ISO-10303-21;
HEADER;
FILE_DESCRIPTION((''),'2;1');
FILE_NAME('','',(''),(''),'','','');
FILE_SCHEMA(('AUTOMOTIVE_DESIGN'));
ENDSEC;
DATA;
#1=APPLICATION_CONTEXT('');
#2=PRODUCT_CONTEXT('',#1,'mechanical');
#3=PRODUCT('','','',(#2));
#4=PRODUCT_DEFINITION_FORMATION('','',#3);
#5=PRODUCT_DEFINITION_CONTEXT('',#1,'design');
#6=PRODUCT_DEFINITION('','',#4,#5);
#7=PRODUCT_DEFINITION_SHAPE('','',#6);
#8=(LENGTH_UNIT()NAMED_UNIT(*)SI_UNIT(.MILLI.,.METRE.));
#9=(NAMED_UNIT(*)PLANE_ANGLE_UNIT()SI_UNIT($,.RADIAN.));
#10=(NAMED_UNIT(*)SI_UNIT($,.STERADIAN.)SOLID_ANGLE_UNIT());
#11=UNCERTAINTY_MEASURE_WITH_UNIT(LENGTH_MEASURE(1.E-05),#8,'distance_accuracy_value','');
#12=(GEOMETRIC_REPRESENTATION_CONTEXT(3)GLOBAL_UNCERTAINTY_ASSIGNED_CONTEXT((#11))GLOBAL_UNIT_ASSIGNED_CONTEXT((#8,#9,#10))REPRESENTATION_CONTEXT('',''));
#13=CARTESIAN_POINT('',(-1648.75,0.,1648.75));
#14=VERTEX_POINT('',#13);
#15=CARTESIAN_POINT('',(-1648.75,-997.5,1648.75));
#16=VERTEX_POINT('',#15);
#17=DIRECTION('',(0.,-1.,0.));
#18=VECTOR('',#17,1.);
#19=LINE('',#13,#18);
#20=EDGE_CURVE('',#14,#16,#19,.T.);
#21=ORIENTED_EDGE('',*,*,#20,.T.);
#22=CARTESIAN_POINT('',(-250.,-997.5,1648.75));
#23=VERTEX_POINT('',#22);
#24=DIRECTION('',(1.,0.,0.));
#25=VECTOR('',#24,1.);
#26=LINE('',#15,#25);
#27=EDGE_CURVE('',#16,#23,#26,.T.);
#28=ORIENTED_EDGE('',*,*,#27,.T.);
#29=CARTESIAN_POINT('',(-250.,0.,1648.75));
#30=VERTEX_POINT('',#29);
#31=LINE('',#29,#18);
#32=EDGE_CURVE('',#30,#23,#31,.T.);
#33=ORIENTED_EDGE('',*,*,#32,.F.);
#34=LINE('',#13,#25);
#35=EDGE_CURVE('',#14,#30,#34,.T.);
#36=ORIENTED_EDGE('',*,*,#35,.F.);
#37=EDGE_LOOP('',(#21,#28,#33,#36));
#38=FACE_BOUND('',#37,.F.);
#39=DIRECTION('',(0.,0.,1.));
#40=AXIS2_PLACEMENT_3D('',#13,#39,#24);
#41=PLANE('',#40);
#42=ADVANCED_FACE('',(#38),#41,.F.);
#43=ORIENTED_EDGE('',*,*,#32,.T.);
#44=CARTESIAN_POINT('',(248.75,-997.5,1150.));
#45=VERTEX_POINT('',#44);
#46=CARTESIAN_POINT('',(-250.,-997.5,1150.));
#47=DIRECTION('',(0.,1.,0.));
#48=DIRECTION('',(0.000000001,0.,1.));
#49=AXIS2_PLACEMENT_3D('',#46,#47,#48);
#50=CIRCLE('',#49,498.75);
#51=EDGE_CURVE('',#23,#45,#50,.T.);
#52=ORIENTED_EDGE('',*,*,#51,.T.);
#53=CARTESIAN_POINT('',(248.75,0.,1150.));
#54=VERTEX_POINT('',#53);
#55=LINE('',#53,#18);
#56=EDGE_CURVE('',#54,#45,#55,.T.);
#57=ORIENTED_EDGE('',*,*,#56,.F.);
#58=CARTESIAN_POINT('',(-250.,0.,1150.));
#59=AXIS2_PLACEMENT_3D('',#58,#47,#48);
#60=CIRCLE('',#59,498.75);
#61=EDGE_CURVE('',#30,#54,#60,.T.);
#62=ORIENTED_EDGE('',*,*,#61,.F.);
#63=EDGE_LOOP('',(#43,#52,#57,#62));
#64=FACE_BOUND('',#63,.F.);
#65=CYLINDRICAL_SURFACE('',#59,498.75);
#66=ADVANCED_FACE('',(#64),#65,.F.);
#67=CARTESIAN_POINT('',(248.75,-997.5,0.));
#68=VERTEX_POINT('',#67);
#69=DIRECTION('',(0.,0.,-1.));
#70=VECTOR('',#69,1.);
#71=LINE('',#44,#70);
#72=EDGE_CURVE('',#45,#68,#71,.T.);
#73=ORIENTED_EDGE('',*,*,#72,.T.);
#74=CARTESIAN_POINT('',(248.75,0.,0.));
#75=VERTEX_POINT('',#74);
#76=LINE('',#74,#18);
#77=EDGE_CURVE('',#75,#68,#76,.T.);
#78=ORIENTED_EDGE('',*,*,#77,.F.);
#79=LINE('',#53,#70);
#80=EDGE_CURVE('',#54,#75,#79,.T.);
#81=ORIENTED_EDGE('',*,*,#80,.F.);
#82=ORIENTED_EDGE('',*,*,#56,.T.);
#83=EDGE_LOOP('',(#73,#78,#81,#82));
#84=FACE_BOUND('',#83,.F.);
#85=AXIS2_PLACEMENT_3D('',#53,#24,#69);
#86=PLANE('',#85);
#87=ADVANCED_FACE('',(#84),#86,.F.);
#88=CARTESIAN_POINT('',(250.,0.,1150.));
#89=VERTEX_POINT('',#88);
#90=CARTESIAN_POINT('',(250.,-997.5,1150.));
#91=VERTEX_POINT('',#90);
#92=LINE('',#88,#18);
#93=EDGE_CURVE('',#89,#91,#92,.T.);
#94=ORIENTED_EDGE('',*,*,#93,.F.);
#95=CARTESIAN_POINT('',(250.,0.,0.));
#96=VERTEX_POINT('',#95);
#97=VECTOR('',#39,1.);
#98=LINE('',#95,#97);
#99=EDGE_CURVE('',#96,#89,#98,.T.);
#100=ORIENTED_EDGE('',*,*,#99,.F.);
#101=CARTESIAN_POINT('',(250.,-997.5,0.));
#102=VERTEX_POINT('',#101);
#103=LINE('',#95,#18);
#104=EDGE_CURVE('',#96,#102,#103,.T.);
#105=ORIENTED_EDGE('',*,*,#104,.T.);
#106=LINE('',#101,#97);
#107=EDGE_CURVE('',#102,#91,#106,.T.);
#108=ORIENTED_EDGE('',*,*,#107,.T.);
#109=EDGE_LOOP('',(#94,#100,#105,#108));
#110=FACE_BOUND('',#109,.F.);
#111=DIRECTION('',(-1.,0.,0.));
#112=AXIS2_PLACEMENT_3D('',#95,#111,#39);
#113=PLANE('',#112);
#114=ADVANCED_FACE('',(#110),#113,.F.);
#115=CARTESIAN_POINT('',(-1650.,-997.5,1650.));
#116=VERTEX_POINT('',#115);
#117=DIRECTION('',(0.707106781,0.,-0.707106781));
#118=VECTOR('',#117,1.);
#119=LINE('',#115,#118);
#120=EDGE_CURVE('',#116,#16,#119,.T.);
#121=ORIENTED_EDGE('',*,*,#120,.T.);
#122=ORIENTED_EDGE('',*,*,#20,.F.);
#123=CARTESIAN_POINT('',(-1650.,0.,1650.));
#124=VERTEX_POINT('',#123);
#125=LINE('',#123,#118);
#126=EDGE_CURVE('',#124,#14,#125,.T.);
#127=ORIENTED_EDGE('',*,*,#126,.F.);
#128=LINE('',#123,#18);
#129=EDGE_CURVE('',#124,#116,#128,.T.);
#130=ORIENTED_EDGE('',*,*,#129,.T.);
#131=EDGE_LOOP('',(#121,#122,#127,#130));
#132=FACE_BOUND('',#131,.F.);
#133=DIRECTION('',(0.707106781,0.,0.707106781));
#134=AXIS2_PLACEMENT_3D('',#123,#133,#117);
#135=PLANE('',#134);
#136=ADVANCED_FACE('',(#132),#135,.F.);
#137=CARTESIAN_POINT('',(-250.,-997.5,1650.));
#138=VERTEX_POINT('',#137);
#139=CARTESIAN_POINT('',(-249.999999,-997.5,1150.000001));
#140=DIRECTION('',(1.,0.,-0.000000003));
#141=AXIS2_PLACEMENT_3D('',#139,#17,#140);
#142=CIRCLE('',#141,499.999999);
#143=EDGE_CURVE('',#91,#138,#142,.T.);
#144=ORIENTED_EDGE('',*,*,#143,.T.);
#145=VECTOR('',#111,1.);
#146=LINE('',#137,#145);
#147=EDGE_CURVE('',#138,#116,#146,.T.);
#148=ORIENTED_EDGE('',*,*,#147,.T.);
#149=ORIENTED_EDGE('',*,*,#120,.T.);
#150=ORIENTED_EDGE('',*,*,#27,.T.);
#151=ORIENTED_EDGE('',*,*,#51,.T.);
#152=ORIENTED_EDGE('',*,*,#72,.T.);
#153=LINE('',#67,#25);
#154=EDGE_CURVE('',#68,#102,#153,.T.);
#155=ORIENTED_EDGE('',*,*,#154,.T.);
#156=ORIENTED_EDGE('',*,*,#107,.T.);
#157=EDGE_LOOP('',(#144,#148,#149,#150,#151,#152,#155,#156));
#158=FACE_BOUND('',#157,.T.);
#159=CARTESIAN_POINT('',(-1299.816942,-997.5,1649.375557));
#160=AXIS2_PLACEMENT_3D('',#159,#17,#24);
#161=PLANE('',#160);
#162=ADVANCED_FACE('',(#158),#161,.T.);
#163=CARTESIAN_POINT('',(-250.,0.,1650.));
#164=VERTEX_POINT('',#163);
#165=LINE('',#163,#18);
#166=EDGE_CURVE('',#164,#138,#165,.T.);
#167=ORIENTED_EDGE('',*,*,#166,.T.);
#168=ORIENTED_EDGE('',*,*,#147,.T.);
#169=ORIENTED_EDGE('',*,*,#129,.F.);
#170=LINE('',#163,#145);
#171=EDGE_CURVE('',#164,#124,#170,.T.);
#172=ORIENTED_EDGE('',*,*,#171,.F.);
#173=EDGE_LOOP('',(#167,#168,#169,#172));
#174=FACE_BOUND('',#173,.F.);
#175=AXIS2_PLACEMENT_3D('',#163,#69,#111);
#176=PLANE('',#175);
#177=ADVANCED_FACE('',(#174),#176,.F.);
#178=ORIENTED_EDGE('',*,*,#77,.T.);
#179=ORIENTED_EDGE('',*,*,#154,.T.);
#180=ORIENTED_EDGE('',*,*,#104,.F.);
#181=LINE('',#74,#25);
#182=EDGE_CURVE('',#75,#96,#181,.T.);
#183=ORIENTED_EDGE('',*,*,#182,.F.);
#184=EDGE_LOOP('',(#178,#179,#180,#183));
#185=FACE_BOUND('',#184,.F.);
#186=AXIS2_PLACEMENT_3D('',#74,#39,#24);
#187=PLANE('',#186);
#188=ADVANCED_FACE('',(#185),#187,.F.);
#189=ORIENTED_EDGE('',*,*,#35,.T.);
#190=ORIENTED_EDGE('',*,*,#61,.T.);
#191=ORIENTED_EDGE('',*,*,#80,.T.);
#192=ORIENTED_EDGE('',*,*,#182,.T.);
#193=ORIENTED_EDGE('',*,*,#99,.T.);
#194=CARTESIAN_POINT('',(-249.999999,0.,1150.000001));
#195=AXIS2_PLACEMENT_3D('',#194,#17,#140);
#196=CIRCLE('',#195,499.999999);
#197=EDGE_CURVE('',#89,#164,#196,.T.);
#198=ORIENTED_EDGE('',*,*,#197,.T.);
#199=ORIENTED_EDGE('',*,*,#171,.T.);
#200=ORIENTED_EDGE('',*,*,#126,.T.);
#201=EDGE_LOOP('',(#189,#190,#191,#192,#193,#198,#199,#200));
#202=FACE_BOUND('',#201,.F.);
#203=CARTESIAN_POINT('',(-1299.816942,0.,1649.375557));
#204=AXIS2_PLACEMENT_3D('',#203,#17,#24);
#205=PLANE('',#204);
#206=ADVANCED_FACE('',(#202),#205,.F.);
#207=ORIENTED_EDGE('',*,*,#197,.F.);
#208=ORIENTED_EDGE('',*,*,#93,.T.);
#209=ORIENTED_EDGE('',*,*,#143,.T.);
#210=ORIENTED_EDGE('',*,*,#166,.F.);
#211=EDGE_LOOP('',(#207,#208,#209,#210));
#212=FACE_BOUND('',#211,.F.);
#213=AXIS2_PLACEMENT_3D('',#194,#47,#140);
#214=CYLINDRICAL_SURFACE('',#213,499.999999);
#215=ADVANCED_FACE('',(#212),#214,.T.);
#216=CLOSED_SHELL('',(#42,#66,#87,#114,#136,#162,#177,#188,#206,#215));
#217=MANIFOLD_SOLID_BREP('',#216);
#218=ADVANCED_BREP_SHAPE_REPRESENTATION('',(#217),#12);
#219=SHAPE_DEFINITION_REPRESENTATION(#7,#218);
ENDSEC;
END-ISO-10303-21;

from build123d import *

# Parameters (mm, degrees)
F1_DEPTH = 997.5


with BuildPart() as f1:
    # F0 (on Front) → F1 (new body)
    with BuildSketch(Plane.XZ):
        Polygon((-1648.75, 1648.75), (-950, 1648.75), (-950, 1650), (-1650, 1650), align=None)
        with BuildLine():
            Line((248.75, 1150), (248.75, 0))
            Line((248.75, 0), (250, 0))
            Line((250, 0), (250, 1150))
            ThreePointArc((250, 1150), (103.553391, 1503.553391), (-250, 1650))
            Line((-250, 1650), (-950, 1650))
            Line((-950, 1650), (-950, 1648.75))
            Line((-950, 1648.75), (-250, 1648.75))
            ThreePointArc((-250, 1648.75), (102.669507, 1502.669507), (248.75, 1150))
        make_face()
    extrude(amount=F1_DEPTH)


solid = f1.part
